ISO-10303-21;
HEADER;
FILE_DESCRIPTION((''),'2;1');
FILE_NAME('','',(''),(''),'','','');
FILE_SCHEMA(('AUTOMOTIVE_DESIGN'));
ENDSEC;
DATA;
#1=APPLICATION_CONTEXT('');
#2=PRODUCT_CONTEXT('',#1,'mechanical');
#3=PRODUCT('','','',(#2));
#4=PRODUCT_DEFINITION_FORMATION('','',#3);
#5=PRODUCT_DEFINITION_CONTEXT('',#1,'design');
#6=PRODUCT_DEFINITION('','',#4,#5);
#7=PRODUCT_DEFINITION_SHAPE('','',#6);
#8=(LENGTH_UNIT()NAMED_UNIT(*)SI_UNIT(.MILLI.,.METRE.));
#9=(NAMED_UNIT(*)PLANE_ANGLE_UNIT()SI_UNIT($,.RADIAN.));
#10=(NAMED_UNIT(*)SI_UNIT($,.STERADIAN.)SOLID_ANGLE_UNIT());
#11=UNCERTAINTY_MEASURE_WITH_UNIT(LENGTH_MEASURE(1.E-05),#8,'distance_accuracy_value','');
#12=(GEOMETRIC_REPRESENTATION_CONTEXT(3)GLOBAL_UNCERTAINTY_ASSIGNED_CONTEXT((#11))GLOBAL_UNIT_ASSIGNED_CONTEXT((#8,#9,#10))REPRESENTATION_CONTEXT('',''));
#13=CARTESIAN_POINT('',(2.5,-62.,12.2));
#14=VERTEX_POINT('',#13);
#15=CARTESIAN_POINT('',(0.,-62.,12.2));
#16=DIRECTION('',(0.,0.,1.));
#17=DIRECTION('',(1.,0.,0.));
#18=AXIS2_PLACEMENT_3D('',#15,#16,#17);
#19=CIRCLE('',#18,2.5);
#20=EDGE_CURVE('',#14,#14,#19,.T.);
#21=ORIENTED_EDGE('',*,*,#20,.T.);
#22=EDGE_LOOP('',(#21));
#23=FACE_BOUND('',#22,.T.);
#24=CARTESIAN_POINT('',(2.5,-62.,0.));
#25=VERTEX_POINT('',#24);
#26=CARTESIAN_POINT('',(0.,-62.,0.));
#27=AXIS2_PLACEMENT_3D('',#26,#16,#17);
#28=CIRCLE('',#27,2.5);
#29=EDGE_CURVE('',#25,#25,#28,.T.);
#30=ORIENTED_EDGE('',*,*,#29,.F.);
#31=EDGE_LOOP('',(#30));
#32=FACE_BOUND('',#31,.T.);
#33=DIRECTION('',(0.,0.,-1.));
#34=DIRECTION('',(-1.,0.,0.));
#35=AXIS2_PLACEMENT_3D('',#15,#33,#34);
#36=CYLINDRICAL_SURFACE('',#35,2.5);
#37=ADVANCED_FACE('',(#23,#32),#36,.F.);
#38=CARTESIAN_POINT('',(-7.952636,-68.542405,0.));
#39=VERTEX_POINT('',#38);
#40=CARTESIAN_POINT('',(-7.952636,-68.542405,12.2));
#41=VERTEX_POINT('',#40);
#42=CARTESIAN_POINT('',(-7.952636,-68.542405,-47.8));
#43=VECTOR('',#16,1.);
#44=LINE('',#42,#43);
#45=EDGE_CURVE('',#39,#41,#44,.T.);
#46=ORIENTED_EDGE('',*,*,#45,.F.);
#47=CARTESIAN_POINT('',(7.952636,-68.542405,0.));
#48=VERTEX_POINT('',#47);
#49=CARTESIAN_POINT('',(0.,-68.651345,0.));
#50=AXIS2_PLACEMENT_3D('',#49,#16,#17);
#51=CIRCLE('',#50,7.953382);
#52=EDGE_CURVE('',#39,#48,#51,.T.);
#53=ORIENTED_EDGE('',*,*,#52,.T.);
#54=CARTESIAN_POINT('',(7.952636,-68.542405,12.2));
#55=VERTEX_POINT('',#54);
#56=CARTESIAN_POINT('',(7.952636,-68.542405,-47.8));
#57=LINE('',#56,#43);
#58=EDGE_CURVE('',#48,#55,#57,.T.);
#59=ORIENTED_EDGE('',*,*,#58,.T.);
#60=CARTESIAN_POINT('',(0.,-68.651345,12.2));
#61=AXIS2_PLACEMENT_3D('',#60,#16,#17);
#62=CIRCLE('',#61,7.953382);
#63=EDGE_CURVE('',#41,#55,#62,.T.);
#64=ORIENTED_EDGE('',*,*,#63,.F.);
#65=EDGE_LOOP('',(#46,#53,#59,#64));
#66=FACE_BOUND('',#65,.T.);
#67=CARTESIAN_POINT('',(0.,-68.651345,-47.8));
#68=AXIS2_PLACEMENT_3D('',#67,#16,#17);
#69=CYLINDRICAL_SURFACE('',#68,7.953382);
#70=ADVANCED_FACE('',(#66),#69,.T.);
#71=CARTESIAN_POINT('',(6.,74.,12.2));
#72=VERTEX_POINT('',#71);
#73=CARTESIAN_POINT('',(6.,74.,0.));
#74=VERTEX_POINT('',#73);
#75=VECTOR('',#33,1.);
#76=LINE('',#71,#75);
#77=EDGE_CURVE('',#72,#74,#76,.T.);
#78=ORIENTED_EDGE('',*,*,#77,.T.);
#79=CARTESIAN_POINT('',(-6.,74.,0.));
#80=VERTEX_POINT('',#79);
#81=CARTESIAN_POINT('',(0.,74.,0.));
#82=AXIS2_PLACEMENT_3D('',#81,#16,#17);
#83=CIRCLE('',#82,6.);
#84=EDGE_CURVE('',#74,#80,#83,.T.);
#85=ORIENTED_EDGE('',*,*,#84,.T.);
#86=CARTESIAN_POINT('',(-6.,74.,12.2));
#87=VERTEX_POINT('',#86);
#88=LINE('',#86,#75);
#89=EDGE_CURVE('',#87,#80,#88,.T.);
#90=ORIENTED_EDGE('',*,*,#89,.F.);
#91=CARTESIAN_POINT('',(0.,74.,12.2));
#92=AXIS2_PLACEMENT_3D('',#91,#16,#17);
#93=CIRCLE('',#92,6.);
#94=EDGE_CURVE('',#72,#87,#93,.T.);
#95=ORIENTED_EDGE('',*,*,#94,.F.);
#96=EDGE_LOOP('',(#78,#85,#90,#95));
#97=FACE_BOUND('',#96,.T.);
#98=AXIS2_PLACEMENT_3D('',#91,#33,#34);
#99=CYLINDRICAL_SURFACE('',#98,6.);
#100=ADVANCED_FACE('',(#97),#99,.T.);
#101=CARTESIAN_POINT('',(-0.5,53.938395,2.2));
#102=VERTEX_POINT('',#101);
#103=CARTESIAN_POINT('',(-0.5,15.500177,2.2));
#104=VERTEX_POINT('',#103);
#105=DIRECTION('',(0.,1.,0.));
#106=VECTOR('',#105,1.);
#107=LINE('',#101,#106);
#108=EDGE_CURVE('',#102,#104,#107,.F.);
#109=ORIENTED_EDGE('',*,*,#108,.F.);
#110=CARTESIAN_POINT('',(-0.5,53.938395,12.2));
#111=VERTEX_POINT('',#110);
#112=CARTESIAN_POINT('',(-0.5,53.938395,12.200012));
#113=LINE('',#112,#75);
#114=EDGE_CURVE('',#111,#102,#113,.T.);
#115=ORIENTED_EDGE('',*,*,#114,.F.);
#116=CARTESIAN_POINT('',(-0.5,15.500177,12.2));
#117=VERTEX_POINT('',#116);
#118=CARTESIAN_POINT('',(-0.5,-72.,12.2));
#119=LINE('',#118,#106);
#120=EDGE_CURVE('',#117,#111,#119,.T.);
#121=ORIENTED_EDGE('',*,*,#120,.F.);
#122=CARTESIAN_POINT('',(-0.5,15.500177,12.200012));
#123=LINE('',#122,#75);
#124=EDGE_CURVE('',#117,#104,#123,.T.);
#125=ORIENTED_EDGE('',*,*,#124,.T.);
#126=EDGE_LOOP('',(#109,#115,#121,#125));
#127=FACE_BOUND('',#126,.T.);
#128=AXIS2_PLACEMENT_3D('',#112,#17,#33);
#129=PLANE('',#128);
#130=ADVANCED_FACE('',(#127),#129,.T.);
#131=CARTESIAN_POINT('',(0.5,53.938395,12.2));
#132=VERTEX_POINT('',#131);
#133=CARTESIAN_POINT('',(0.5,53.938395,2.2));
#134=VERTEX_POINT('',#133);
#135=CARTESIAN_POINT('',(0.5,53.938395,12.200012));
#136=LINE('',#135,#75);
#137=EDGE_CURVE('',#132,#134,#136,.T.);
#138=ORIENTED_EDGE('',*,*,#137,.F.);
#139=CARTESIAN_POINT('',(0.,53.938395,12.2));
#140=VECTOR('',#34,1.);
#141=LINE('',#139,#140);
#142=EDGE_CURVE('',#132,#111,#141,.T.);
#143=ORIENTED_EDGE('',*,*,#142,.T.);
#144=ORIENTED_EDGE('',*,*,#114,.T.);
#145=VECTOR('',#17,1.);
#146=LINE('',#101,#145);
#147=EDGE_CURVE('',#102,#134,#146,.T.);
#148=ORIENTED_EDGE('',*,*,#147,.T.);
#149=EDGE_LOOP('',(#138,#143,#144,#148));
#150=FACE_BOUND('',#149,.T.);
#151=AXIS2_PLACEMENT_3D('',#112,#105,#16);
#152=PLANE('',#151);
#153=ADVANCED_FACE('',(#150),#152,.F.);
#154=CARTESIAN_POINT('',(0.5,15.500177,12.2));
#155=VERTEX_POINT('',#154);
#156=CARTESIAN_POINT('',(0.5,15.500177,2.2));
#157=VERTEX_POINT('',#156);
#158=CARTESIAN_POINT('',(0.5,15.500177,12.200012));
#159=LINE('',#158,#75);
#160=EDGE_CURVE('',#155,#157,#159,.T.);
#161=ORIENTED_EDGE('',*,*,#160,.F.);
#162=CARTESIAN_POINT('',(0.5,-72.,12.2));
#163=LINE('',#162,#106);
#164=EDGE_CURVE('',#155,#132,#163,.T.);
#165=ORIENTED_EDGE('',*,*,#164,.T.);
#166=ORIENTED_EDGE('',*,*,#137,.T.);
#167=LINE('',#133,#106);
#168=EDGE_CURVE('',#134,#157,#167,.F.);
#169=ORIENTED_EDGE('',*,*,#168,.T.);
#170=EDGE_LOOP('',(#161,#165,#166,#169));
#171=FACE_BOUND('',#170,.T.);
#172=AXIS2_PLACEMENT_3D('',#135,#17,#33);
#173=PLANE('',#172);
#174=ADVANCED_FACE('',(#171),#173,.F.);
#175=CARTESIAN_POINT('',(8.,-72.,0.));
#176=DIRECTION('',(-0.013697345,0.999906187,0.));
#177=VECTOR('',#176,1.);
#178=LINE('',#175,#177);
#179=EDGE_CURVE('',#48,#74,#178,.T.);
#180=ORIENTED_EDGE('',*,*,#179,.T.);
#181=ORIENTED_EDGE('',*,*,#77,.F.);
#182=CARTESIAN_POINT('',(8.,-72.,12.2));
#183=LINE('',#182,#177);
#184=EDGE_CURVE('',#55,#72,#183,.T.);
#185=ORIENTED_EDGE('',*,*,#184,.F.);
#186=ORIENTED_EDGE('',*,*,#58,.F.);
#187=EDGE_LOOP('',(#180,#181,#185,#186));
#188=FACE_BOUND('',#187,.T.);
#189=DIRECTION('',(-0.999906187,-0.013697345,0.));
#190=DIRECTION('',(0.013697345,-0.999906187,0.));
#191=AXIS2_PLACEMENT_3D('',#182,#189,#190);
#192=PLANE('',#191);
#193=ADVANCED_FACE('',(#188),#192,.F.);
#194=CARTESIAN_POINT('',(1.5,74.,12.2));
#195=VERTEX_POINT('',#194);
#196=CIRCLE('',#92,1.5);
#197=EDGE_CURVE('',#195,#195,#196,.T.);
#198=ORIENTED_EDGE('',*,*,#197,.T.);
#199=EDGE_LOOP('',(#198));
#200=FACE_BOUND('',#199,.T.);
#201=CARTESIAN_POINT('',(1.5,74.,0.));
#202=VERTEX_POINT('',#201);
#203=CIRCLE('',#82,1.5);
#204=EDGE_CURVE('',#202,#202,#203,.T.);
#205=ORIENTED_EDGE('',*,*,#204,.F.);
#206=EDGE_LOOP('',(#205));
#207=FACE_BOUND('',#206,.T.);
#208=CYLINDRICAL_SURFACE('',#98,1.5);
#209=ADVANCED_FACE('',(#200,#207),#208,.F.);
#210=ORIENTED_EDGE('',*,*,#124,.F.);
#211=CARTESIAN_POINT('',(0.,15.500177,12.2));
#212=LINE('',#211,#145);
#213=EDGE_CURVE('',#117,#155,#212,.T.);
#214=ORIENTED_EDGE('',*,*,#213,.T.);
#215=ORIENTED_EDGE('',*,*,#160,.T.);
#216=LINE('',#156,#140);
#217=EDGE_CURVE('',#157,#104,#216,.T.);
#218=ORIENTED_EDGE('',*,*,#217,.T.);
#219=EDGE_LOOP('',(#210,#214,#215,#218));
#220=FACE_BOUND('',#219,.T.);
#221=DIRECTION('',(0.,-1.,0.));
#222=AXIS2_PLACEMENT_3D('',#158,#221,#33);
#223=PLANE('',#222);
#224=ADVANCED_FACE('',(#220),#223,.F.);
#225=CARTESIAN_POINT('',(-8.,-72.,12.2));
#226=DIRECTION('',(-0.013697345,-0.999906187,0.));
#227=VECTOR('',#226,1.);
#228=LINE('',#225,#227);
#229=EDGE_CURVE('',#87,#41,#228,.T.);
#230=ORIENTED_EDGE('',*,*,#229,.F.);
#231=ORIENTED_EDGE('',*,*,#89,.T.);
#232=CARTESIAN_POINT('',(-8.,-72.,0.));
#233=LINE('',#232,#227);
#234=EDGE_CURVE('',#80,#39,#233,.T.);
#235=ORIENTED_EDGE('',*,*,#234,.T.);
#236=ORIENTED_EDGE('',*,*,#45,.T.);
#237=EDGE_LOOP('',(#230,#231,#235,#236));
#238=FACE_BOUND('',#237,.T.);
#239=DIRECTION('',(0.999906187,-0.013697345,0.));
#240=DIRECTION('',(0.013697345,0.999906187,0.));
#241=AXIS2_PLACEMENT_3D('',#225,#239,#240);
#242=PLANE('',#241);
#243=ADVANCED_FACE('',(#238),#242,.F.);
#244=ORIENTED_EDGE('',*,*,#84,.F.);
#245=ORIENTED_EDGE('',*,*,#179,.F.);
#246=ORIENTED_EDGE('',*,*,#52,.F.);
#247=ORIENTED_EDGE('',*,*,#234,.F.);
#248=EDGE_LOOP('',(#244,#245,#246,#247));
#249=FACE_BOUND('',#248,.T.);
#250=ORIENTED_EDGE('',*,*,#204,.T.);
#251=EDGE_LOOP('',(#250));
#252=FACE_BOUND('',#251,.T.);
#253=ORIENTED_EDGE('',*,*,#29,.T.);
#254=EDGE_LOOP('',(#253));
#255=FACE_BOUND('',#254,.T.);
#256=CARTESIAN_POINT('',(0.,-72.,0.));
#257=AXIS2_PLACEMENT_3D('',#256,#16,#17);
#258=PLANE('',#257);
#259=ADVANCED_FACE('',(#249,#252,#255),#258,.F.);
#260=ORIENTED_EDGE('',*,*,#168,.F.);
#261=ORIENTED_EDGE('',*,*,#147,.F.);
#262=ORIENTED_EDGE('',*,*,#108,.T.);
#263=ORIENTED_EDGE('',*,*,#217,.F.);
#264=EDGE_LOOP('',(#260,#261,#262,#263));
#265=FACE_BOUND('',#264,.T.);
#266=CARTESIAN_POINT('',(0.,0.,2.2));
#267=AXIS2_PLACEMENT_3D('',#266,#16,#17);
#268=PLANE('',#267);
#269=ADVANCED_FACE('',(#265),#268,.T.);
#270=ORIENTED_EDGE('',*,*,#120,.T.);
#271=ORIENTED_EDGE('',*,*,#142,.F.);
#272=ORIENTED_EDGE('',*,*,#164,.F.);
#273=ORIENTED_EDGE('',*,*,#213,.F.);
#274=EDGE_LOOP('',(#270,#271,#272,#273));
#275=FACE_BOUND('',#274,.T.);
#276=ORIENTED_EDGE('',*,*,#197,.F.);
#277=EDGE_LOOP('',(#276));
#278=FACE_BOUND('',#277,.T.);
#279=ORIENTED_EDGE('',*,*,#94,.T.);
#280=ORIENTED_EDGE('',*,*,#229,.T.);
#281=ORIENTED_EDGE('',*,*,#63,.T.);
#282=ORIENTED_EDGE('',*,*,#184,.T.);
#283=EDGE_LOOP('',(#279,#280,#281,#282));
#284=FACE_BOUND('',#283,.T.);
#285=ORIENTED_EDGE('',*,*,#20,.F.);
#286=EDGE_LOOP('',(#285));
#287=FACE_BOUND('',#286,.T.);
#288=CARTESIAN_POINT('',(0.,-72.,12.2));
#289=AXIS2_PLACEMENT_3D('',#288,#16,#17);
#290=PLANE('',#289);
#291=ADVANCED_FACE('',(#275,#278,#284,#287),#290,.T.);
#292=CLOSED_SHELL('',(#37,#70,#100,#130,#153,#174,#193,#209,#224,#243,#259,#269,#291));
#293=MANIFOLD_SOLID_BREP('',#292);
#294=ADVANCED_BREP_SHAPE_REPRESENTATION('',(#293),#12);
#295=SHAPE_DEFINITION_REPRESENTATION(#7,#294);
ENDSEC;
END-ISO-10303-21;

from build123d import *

# Parameters (mm, degrees)
SKETCH2_R                    = 1.5
SKETCH2_R_2                  = 2.5
BOSS_EXTRUDE1_DEPTH          = 12.2
CUT_EXTRUDE_THIN2_DEPTH      = 82.319370386
CUT_EXTRUDE_THIN2_DEPTH_BACK = 60
CUT_EXTRUDE_THIN3_DEPTH      = 82.314797438
CUT_EXTRUDE_THIN3_DEPTH_BACK = 10
SKETCH4_W                    = 1
SKETCH4_H                    = 38.438218158


with BuildPart() as part:
    # Sketch2 → Boss-Extrude1 (new body)
    with BuildSketch(Plane.XY):
        with BuildLine():
            Line((-8, -72), (-6, 74))
            ThreePointArc((-6, 74), (0, 80), (6, 74))
            Line((6, 74), (8, -72))
            ThreePointArc((8, -72), (0, -80), (-8, -72))
        make_face()
        with Locations((0, 74)):
            Circle(SKETCH2_R, mode=Mode.SUBTRACT)
        with Locations((0, -62)):
            Circle(SKETCH2_R_2, mode=Mode.SUBTRACT)
    extrude(amount=BOSS_EXTRUDE1_DEPTH)

    # Sketch3 → Cut-Extrude-Thin2 (cut, two sides: drawn at the far end of the back side and taken through both)
    with BuildSketch(Plane.XY.offset(12.2).offset(-CUT_EXTRUDE_THIN2_DEPTH_BACK)):
        with BuildLine():
            ThreePointArc((-7.952635689, -68.542405266), (0, -76.6047273), (7.952635689, -68.542405266))
            Line((7.952635689, -68.542405266), (17.951697558, -68.405431815))
            ThreePointArc((17.951697558, -68.405431815), (0, -86.6047273), (-17.951697558, -68.405431815))
            Line((-17.951697558, -68.405431815), (-7.952635689, -68.542405266))
        make_face()
    extrude(amount=CUT_EXTRUDE_THIN2_DEPTH + CUT_EXTRUDE_THIN2_DEPTH_BACK, mode=Mode.SUBTRACT)

    # Sketch4 → Cut-Extrude-Thin3 (cut, two sides: drawn at the far end of the back side and taken through both)
    with BuildSketch(Plane.XY.offset(12.2).offset(-CUT_EXTRUDE_THIN3_DEPTH_BACK)):
        with Locations((0, 34.719285659)):
            Rectangle(SKETCH4_W, SKETCH4_H)
    extrude(amount=CUT_EXTRUDE_THIN3_DEPTH + CUT_EXTRUDE_THIN3_DEPTH_BACK, mode=Mode.SUBTRACT)


solid = part.part
